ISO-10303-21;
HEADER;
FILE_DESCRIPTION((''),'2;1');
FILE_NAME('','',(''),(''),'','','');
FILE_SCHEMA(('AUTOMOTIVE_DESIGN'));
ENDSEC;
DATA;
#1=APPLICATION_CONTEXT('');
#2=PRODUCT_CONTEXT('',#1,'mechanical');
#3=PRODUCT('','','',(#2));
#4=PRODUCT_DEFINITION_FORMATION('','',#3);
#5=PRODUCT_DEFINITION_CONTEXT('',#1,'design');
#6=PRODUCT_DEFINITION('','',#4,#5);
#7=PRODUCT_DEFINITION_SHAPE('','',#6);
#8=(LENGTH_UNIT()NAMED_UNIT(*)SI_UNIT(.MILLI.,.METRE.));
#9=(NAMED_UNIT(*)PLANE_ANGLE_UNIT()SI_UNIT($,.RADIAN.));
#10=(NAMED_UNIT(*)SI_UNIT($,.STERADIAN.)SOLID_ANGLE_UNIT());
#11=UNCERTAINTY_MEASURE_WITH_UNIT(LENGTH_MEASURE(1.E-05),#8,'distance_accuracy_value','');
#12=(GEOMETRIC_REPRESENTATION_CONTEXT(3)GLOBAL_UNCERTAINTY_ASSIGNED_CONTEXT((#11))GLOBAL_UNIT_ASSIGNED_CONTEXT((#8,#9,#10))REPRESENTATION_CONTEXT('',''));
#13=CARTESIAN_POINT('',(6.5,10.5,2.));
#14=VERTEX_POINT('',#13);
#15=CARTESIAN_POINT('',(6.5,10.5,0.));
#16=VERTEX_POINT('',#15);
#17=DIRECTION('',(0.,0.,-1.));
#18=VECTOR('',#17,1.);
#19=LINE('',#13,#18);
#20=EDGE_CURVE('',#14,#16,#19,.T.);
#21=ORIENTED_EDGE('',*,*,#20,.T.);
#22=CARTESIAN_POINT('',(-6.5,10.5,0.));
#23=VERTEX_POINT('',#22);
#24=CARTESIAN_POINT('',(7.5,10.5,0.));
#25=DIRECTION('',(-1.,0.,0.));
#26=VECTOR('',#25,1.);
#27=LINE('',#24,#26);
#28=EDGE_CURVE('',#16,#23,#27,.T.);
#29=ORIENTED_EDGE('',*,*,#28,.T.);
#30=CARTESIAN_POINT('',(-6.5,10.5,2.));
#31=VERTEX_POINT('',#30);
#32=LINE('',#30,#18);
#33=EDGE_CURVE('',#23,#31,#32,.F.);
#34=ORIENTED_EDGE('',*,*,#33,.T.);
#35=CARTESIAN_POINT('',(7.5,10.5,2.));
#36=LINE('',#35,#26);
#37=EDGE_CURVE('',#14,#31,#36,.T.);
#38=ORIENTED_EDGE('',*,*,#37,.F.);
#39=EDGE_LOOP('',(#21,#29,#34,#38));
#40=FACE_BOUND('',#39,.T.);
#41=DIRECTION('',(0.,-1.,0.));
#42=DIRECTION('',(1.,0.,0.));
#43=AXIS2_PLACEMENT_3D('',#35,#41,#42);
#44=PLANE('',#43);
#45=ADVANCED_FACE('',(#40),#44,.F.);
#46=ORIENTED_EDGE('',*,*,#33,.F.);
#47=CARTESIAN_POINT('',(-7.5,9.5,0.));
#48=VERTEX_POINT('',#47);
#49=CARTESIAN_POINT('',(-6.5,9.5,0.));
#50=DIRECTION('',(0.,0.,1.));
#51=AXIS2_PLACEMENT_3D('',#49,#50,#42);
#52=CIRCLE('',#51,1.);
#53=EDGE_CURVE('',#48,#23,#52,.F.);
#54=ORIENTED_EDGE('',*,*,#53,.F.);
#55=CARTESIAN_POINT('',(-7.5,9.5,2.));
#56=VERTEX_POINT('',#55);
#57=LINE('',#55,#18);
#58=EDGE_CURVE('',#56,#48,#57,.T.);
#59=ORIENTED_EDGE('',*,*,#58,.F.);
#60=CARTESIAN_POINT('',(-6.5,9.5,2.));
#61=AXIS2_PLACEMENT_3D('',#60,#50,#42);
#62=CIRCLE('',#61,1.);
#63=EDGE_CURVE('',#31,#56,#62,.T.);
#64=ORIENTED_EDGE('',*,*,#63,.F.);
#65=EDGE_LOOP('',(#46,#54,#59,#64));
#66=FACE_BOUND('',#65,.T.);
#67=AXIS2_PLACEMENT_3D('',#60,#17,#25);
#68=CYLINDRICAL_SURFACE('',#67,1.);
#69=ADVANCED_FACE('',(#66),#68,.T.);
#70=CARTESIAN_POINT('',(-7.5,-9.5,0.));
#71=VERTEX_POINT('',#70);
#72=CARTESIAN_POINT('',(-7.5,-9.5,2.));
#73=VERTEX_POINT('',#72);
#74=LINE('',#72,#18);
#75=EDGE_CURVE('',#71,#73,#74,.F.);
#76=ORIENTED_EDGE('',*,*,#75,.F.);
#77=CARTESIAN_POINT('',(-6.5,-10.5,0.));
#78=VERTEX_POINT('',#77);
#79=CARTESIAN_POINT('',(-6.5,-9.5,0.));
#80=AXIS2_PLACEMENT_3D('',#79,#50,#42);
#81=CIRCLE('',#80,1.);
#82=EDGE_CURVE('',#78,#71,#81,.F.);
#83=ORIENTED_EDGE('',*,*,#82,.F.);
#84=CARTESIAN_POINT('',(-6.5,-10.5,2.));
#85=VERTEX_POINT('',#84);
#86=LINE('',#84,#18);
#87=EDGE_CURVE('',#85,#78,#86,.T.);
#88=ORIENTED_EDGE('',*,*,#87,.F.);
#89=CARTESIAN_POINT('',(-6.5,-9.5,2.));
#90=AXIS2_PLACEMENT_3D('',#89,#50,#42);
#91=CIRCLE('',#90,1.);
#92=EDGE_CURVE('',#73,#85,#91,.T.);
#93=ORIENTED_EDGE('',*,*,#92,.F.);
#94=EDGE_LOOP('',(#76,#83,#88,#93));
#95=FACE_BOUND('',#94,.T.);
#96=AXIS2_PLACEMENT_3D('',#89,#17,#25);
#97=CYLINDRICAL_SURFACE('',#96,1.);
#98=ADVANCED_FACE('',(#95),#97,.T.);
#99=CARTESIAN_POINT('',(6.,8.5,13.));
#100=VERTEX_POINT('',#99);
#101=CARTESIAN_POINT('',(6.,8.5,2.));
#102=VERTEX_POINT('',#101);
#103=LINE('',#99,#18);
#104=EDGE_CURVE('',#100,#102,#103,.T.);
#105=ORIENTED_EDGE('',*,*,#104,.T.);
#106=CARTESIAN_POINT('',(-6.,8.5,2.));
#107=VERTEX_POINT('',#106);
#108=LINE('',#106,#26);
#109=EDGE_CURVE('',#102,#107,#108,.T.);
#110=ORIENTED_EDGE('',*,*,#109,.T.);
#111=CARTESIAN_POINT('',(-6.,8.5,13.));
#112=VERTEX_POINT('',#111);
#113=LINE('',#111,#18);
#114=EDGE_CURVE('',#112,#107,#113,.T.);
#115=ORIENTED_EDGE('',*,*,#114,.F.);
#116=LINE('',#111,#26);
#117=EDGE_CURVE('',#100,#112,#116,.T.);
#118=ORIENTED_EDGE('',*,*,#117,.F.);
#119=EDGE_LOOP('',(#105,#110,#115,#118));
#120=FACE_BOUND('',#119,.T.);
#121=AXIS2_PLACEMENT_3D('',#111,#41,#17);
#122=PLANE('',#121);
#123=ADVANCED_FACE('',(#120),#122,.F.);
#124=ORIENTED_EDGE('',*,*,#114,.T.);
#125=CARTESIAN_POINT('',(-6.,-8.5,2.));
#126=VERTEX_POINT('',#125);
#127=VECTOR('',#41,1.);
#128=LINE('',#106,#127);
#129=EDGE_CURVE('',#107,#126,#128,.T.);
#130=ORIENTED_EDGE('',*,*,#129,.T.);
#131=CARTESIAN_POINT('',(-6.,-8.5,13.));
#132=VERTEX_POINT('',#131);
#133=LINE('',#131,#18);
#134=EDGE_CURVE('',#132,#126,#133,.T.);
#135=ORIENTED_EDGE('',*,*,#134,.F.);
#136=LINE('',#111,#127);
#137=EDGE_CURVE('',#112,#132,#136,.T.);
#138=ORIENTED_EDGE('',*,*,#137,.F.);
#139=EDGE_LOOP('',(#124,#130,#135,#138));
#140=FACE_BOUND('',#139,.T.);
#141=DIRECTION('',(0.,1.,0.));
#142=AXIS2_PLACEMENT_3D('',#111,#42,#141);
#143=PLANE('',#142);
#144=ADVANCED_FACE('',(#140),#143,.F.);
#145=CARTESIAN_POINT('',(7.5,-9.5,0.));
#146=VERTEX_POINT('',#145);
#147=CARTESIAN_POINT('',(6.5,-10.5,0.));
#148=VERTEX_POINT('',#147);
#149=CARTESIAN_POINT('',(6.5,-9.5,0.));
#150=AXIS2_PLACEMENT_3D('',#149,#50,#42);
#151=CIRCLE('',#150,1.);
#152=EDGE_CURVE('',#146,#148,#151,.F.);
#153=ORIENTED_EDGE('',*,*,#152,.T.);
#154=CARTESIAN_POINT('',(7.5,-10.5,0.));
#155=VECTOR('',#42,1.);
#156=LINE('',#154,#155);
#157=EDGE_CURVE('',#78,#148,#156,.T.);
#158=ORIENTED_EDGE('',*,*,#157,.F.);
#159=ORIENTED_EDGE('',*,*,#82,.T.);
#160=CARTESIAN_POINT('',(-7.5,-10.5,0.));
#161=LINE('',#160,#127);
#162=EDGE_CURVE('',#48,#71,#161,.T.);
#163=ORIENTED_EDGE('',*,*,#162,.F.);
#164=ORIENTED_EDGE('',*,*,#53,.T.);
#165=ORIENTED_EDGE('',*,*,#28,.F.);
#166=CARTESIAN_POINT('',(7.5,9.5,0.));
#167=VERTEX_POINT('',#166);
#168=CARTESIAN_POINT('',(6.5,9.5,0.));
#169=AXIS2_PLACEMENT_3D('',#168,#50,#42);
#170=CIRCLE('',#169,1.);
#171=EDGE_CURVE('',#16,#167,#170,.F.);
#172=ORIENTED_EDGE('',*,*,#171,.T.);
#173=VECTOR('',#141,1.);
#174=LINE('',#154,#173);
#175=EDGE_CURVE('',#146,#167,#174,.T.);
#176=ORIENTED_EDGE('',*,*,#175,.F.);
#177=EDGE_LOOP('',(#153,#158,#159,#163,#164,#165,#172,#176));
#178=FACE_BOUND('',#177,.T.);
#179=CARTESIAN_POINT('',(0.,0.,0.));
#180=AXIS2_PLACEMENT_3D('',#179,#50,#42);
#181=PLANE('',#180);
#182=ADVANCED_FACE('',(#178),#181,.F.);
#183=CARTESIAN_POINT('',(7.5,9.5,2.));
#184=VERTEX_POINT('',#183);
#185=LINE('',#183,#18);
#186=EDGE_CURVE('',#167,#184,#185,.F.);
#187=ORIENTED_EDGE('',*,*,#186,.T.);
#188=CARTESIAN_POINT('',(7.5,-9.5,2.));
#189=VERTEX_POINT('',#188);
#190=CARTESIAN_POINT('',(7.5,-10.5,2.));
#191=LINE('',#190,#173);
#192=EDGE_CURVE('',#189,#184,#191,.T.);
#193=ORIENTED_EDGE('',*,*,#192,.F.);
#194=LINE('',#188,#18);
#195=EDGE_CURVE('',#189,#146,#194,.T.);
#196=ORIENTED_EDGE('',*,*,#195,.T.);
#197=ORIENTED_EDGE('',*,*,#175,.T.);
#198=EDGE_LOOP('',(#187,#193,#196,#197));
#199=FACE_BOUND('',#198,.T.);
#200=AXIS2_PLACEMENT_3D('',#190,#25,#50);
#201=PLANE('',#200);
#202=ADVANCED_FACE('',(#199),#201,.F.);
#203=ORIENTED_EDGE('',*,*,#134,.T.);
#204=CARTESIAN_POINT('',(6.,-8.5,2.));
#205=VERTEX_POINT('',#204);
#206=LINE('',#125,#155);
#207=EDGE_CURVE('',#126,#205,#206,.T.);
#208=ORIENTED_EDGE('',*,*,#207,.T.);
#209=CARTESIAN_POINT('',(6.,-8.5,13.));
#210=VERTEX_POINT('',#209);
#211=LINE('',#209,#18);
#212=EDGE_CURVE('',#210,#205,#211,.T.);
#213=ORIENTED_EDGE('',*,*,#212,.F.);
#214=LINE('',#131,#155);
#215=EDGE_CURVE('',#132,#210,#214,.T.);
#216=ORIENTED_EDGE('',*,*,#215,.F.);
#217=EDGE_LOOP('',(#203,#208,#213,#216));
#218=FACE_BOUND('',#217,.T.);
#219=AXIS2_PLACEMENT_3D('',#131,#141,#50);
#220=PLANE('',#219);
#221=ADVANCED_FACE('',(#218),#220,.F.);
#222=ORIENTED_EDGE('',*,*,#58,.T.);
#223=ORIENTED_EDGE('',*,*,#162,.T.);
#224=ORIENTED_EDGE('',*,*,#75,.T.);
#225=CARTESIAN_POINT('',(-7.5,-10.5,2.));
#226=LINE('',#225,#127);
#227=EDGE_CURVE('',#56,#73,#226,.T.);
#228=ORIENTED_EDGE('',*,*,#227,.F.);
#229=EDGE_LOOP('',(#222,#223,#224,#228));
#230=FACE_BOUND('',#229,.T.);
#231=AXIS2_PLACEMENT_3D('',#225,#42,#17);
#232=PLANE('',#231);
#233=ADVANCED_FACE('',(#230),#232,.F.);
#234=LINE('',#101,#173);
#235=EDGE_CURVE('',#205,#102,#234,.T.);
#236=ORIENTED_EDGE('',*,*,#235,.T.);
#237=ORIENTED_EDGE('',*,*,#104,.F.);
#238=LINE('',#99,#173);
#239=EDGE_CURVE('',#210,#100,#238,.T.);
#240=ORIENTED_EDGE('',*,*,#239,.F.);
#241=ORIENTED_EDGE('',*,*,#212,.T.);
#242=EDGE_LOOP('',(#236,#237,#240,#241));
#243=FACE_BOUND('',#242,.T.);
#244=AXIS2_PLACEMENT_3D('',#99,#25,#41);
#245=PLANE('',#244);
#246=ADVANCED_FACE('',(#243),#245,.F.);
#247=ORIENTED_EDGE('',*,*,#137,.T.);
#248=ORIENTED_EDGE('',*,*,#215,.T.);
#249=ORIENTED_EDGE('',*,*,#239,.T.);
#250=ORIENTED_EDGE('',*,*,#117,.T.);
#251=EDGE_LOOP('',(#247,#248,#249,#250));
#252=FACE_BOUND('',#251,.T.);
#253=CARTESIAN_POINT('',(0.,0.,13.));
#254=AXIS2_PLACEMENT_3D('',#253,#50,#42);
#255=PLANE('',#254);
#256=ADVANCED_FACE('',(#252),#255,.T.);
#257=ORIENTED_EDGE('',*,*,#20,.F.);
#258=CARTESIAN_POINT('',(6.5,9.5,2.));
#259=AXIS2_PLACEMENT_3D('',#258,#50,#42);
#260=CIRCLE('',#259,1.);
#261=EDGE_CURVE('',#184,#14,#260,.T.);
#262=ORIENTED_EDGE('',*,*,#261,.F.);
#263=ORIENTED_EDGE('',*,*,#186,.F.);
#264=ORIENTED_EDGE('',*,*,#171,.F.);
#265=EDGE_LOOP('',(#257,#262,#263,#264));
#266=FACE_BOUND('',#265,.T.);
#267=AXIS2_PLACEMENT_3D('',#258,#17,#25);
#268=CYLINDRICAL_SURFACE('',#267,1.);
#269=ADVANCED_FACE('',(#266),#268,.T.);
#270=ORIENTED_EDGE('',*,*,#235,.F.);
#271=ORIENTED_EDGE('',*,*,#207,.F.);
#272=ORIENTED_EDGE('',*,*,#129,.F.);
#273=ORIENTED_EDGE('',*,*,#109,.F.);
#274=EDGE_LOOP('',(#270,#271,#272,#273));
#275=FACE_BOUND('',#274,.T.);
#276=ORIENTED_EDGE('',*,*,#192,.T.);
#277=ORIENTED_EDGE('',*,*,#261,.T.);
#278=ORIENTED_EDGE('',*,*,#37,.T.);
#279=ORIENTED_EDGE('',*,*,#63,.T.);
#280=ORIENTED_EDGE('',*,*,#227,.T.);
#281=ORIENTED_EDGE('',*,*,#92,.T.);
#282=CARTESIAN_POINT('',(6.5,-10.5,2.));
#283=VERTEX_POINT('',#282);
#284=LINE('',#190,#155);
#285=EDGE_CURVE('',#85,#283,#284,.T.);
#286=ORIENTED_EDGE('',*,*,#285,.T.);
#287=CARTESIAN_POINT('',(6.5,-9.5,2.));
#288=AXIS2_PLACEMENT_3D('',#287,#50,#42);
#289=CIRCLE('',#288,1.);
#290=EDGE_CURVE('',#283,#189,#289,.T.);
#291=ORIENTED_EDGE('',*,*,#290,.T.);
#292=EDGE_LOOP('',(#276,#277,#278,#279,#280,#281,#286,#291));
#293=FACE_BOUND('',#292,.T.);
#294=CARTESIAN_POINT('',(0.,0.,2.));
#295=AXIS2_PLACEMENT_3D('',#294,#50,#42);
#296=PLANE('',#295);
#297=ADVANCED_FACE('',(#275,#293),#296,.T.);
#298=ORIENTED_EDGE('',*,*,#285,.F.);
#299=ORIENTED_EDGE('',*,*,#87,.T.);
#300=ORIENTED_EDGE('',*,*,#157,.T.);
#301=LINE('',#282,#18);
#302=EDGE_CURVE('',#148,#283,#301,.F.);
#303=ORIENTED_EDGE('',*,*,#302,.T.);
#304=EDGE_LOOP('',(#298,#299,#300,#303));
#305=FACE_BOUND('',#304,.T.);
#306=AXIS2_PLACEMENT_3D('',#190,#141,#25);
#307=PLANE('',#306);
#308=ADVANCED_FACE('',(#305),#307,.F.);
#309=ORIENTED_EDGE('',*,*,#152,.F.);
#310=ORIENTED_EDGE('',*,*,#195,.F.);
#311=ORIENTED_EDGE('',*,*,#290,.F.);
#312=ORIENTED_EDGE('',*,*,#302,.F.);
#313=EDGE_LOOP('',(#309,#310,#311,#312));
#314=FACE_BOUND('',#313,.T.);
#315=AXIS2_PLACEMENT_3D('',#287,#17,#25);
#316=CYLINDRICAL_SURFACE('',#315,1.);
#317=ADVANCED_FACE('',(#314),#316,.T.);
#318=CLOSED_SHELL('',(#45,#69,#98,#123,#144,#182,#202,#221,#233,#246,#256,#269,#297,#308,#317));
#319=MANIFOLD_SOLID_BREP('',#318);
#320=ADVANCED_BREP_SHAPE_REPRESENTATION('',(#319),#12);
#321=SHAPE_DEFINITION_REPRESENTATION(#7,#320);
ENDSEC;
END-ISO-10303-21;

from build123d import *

# Parameters (mm, degrees)
SKETCH1_W           = 12
SKETCH1_H           = 17
BOSS_EXTRUDE1_DEPTH = 13
SKETCH2_W           = 15
SKETCH2_H           = 21
BOSS_EXTRUDE2_DEPTH = 2
FILLET1_R           = 1


with BuildPart() as part:
    # Sketch1 → Boss-Extrude1 (new body)
    with BuildSketch(Plane.XY):
        Rectangle(SKETCH1_W, SKETCH1_H)
    extrude(amount=BOSS_EXTRUDE1_DEPTH)

    # Sketch2 → Boss-Extrude2 (add)
    with BuildSketch(Plane.XY):
        Rectangle(SKETCH2_W, SKETCH2_H)
    extrude(amount=BOSS_EXTRUDE2_DEPTH)

    # Fillet1
    fillet1_edges = [part.edges().sort_by_distance(p)[0] for p in [
        (-7.5, 10.5, 1),
        (-7.5, -10.5, 1),
        (7.5, -10.5, 1),
        (7.5, 10.5, 1),
    ]]
    fillet(fillet1_edges, radius=FILLET1_R)


solid = part.part
